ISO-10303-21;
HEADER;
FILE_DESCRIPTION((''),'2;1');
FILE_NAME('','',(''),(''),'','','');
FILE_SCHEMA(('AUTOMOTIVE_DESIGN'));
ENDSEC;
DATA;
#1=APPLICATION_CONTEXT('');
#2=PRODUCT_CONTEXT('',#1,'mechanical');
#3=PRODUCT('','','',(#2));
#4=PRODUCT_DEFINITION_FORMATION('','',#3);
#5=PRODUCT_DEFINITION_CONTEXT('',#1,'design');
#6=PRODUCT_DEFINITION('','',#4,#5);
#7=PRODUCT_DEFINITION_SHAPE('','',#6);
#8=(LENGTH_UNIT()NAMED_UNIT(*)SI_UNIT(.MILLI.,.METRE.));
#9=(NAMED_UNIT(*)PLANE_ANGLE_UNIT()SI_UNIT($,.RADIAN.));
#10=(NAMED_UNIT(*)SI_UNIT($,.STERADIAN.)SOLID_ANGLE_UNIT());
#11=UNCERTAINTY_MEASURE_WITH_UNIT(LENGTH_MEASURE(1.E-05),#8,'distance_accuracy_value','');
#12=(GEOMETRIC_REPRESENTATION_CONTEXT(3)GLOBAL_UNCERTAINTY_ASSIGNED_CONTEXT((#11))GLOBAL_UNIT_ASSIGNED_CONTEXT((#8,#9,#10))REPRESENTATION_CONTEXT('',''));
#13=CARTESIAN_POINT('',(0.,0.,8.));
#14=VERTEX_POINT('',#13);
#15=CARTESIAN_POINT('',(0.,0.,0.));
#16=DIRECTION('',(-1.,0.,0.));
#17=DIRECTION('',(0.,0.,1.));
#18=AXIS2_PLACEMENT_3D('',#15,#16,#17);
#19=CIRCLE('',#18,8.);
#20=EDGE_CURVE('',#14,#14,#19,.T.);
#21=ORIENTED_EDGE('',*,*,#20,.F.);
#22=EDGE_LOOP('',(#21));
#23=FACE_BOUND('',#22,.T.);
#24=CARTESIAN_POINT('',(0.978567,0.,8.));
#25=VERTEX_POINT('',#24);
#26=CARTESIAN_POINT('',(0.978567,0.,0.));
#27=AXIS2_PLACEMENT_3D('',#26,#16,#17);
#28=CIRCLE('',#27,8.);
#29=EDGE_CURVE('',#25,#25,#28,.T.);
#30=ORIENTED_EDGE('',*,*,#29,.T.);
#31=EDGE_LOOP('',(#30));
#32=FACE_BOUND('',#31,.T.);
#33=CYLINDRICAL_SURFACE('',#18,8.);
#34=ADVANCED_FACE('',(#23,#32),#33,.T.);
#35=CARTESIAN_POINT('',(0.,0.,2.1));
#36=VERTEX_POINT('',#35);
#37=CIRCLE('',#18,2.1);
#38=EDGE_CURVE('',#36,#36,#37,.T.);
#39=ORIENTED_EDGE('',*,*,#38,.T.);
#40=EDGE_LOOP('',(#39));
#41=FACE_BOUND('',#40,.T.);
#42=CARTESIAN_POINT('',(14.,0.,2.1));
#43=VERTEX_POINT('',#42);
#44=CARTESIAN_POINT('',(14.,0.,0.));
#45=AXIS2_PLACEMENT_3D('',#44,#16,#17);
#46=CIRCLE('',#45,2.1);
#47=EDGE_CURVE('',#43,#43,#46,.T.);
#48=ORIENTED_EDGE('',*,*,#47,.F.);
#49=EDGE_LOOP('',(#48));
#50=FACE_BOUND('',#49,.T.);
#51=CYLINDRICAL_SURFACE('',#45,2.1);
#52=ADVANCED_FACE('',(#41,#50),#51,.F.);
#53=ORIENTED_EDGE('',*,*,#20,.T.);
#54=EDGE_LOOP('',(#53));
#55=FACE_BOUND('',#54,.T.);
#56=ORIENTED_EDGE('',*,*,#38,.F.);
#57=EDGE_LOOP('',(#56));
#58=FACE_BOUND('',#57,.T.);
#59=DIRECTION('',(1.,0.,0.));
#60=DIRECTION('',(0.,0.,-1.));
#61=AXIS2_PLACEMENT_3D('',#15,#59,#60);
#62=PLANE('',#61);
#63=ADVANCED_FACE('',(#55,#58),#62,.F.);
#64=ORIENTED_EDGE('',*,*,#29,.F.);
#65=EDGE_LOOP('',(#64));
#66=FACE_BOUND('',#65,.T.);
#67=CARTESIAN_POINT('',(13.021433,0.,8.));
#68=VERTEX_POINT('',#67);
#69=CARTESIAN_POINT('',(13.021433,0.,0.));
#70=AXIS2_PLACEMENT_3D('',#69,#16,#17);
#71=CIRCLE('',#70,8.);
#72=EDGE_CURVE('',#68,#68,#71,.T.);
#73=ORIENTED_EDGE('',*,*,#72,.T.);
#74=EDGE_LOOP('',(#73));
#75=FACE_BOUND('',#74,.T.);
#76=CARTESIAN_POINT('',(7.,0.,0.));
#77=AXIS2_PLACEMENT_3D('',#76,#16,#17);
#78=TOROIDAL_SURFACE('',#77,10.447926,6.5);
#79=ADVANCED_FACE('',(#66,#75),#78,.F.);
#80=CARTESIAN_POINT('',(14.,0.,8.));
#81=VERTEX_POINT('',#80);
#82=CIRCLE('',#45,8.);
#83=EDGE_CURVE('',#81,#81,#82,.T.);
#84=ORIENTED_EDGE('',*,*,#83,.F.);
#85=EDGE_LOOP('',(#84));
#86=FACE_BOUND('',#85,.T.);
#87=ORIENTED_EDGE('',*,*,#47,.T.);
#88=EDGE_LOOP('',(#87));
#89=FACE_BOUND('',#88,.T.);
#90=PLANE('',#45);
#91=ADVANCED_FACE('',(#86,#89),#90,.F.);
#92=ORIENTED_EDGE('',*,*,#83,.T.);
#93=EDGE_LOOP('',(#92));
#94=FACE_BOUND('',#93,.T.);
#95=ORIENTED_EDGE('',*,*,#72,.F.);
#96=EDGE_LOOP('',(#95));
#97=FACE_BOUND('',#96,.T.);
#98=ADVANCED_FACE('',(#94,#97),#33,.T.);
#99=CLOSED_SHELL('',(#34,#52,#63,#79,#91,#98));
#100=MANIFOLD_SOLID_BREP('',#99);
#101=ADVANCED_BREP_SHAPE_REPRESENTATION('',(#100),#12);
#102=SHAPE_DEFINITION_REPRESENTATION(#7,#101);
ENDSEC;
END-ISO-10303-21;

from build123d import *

# Parameters (mm, degrees)
SKETCH3_R          = 2.1
CUT_EXTRUDE1_DEPTH = 19


with BuildPart() as part:
    # Sketch2 → Revolve2 (revolve)
    with BuildSketch(Plane(origin=(0, 0, 0), x_dir=(1, 0, 0), z_dir=(0, 1, 0)), mode=Mode.PRIVATE) as revolve2_sk:
        with BuildLine():
            Line((0, 0), (14, 0))
            Line((14, 0), (14, 8))
            Line((14, 8), (13.021433052, 8))
            ThreePointArc((13.021433052, 8), (7, 3.94792647), (0.978566948, 8))
            Line((0.978566948, 8), (0, 8))
            Line((0, 8), (0, 0))
        make_face()
    revolve(revolve2_sk.sketch.rotate(Axis((0, 0, 0), (1, 0, 0)), 180), axis=Axis((0, 0, 0), (1, 0, 0)))

    # Sketch3 → Cut-Extrude1 (cut, through all)
    with BuildSketch(Plane.ZY):
        Circle(SKETCH3_R)
    extrude(amount=-CUT_EXTRUDE1_DEPTH, mode=Mode.SUBTRACT)


solid = part.part
